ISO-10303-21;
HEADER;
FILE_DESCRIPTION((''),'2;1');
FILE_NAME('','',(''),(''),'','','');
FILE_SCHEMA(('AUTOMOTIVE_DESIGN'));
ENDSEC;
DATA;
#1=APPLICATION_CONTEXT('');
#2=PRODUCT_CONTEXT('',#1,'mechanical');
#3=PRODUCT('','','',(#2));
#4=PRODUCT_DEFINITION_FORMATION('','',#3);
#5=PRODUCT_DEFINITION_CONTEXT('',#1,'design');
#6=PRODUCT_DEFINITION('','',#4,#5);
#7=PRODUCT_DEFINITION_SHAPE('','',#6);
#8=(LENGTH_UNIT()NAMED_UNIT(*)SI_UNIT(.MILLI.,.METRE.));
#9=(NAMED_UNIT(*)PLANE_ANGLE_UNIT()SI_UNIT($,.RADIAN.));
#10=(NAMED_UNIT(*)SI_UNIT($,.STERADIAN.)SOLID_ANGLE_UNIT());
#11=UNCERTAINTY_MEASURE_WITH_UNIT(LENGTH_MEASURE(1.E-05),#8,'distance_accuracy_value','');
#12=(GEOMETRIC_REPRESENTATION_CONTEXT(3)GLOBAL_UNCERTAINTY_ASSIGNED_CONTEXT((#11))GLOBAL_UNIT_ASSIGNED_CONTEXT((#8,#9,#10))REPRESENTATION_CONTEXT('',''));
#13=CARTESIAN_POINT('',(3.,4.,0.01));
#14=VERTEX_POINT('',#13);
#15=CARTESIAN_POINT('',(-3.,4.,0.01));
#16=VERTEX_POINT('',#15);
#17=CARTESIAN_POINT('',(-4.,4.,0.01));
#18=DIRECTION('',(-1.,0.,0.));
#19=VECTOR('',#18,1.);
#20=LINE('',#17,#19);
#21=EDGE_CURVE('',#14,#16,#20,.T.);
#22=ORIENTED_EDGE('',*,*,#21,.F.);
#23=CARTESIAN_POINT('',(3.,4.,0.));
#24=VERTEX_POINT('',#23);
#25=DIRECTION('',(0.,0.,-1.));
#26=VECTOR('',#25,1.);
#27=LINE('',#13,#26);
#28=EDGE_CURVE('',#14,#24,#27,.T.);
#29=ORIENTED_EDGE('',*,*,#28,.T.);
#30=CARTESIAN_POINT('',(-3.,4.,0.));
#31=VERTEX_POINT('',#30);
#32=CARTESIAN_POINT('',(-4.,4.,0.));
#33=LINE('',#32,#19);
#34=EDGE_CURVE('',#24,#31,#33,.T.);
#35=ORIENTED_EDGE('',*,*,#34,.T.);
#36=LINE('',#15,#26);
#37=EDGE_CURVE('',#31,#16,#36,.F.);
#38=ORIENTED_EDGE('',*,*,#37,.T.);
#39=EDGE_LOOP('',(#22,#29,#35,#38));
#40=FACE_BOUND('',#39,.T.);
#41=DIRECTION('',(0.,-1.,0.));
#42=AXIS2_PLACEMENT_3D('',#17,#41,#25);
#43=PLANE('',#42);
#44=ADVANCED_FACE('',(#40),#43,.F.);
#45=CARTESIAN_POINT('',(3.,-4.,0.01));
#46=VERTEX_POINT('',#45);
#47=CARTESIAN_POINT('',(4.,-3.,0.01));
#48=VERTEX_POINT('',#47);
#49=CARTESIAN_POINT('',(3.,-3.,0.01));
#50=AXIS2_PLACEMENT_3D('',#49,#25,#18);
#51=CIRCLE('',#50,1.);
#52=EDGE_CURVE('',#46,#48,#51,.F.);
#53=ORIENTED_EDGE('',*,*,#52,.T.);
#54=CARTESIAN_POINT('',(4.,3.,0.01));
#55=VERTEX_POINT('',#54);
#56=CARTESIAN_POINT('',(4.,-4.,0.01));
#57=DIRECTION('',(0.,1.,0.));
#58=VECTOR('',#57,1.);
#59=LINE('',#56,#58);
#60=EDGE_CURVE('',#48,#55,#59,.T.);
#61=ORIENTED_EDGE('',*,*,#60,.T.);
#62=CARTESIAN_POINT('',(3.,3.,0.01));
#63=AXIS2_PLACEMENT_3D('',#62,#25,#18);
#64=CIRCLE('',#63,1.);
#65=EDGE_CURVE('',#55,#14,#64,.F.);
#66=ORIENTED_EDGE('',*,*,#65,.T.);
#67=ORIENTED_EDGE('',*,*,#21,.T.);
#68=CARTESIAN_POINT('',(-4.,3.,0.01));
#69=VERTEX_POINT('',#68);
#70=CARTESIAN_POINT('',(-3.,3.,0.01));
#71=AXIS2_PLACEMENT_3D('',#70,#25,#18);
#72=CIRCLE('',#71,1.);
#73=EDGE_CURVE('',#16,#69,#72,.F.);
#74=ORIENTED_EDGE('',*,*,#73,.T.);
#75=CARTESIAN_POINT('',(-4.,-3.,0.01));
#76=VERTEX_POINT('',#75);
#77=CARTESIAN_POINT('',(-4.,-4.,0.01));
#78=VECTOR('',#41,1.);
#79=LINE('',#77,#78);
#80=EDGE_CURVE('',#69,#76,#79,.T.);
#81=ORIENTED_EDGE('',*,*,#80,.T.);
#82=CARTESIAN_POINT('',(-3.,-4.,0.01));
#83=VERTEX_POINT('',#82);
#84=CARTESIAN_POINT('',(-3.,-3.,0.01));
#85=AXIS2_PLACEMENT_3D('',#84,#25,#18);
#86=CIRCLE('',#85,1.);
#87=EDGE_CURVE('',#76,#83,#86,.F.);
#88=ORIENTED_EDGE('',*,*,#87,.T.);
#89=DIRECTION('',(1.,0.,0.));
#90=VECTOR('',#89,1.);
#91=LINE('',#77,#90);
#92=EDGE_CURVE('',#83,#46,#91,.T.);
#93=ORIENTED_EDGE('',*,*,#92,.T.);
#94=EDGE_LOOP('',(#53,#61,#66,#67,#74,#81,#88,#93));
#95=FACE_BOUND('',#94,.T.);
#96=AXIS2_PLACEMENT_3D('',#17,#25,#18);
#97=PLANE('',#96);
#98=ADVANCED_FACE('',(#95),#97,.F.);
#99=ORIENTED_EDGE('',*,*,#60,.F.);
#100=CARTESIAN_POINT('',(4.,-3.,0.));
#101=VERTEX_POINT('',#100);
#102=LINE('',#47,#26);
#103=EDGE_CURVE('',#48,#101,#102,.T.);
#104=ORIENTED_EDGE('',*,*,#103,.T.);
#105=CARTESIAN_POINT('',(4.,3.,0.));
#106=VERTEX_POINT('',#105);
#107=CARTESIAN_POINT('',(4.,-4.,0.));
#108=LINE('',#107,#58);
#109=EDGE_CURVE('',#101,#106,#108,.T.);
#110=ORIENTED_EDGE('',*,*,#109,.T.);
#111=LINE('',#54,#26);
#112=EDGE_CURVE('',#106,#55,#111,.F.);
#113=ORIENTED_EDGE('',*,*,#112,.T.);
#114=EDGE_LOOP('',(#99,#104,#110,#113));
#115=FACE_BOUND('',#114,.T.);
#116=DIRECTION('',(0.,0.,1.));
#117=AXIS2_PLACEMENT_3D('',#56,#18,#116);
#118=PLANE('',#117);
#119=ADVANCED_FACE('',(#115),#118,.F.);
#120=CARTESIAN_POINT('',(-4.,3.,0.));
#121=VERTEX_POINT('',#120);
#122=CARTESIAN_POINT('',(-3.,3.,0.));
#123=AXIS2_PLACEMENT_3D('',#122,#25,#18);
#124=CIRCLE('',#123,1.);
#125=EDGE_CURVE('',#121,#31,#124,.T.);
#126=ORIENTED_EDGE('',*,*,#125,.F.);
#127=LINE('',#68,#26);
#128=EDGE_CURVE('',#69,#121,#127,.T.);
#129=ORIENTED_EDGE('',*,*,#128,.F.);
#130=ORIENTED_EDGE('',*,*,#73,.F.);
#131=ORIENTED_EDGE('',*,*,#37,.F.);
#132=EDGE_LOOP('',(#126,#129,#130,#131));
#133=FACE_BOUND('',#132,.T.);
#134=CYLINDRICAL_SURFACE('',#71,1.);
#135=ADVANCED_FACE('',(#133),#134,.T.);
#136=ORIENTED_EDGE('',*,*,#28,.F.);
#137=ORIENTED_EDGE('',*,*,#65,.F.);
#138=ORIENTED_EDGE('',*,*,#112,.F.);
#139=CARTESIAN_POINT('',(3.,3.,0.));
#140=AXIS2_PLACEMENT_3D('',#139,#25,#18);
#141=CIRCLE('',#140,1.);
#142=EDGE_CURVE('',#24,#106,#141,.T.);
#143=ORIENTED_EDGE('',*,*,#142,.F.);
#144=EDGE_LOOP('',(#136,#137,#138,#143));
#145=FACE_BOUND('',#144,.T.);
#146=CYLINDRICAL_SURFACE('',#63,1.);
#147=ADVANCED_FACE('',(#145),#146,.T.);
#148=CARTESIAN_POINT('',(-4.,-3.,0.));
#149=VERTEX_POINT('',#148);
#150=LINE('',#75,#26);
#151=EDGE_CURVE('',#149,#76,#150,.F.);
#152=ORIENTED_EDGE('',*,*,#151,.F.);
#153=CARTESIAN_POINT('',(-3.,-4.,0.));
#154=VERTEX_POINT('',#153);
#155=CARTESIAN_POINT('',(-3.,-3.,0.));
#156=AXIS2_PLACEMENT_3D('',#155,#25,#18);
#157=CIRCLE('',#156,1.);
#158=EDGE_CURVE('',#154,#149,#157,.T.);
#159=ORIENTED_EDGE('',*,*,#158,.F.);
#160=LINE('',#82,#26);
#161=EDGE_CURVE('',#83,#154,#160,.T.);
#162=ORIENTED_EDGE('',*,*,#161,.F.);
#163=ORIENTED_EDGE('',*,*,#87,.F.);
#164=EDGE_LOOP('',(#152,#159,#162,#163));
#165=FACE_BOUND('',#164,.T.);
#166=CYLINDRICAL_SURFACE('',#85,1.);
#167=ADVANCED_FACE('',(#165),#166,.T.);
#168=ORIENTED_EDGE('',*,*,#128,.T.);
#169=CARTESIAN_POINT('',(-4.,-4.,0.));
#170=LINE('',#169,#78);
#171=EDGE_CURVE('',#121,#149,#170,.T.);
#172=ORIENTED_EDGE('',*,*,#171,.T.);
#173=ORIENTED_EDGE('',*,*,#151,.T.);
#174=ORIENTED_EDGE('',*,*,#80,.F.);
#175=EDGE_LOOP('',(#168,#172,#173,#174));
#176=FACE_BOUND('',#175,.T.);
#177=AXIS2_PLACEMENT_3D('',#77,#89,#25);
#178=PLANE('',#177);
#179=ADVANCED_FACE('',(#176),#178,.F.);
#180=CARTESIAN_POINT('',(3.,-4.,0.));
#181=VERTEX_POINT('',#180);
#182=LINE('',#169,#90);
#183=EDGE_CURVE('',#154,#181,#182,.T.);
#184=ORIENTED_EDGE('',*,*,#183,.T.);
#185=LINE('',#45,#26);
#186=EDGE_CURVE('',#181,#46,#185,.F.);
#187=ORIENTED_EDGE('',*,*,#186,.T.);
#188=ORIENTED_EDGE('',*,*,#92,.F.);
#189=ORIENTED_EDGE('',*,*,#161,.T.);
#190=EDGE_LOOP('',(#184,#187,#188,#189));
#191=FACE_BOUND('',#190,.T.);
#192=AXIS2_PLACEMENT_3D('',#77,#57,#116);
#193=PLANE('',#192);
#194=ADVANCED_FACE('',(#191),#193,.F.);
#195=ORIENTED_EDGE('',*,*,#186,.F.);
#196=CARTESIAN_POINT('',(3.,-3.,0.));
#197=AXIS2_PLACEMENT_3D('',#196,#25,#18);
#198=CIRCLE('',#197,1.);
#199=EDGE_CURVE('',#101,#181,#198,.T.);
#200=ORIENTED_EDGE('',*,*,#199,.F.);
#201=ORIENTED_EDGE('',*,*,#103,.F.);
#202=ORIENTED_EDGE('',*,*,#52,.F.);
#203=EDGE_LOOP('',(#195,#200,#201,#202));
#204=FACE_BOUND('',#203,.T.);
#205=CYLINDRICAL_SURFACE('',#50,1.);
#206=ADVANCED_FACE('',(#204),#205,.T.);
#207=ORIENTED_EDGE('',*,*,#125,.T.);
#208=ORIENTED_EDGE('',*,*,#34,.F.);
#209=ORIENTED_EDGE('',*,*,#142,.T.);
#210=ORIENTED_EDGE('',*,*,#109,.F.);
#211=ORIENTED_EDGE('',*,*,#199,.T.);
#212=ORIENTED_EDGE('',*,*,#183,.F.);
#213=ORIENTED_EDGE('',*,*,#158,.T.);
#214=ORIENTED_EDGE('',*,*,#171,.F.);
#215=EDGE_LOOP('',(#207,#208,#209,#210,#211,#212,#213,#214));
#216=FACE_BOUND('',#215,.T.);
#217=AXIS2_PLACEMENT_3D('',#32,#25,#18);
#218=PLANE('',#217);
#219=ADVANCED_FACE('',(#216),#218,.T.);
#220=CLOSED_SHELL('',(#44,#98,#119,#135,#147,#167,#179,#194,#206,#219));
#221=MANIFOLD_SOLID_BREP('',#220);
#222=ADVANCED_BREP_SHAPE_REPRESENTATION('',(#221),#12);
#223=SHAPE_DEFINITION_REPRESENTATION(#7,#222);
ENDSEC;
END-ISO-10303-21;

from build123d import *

# Parameters (mm, degrees)
SKETCH2_W          = 8
SKETCH2_H          = 8
BASE_EXTRUDE_DEPTH = 0.01
FILLET1_R          = 1


with BuildPart() as part:
    # Sketch2 → Base-Extrude (new body)
    with BuildSketch(Plane.XY):
        Rectangle(SKETCH2_W, SKETCH2_H)
    extrude(amount=BASE_EXTRUDE_DEPTH)

    # Fillet1
    fillet1_edges = [part.edges().sort_by_distance(p)[0] for p in [
        (-4, -4, 0.005),
        (4, -4, 0.005),
        (4, 4, 0.005),
        (-4, 4, 0.005),
    ]]
    fillet(fillet1_edges, radius=FILLET1_R)


solid = part.part
